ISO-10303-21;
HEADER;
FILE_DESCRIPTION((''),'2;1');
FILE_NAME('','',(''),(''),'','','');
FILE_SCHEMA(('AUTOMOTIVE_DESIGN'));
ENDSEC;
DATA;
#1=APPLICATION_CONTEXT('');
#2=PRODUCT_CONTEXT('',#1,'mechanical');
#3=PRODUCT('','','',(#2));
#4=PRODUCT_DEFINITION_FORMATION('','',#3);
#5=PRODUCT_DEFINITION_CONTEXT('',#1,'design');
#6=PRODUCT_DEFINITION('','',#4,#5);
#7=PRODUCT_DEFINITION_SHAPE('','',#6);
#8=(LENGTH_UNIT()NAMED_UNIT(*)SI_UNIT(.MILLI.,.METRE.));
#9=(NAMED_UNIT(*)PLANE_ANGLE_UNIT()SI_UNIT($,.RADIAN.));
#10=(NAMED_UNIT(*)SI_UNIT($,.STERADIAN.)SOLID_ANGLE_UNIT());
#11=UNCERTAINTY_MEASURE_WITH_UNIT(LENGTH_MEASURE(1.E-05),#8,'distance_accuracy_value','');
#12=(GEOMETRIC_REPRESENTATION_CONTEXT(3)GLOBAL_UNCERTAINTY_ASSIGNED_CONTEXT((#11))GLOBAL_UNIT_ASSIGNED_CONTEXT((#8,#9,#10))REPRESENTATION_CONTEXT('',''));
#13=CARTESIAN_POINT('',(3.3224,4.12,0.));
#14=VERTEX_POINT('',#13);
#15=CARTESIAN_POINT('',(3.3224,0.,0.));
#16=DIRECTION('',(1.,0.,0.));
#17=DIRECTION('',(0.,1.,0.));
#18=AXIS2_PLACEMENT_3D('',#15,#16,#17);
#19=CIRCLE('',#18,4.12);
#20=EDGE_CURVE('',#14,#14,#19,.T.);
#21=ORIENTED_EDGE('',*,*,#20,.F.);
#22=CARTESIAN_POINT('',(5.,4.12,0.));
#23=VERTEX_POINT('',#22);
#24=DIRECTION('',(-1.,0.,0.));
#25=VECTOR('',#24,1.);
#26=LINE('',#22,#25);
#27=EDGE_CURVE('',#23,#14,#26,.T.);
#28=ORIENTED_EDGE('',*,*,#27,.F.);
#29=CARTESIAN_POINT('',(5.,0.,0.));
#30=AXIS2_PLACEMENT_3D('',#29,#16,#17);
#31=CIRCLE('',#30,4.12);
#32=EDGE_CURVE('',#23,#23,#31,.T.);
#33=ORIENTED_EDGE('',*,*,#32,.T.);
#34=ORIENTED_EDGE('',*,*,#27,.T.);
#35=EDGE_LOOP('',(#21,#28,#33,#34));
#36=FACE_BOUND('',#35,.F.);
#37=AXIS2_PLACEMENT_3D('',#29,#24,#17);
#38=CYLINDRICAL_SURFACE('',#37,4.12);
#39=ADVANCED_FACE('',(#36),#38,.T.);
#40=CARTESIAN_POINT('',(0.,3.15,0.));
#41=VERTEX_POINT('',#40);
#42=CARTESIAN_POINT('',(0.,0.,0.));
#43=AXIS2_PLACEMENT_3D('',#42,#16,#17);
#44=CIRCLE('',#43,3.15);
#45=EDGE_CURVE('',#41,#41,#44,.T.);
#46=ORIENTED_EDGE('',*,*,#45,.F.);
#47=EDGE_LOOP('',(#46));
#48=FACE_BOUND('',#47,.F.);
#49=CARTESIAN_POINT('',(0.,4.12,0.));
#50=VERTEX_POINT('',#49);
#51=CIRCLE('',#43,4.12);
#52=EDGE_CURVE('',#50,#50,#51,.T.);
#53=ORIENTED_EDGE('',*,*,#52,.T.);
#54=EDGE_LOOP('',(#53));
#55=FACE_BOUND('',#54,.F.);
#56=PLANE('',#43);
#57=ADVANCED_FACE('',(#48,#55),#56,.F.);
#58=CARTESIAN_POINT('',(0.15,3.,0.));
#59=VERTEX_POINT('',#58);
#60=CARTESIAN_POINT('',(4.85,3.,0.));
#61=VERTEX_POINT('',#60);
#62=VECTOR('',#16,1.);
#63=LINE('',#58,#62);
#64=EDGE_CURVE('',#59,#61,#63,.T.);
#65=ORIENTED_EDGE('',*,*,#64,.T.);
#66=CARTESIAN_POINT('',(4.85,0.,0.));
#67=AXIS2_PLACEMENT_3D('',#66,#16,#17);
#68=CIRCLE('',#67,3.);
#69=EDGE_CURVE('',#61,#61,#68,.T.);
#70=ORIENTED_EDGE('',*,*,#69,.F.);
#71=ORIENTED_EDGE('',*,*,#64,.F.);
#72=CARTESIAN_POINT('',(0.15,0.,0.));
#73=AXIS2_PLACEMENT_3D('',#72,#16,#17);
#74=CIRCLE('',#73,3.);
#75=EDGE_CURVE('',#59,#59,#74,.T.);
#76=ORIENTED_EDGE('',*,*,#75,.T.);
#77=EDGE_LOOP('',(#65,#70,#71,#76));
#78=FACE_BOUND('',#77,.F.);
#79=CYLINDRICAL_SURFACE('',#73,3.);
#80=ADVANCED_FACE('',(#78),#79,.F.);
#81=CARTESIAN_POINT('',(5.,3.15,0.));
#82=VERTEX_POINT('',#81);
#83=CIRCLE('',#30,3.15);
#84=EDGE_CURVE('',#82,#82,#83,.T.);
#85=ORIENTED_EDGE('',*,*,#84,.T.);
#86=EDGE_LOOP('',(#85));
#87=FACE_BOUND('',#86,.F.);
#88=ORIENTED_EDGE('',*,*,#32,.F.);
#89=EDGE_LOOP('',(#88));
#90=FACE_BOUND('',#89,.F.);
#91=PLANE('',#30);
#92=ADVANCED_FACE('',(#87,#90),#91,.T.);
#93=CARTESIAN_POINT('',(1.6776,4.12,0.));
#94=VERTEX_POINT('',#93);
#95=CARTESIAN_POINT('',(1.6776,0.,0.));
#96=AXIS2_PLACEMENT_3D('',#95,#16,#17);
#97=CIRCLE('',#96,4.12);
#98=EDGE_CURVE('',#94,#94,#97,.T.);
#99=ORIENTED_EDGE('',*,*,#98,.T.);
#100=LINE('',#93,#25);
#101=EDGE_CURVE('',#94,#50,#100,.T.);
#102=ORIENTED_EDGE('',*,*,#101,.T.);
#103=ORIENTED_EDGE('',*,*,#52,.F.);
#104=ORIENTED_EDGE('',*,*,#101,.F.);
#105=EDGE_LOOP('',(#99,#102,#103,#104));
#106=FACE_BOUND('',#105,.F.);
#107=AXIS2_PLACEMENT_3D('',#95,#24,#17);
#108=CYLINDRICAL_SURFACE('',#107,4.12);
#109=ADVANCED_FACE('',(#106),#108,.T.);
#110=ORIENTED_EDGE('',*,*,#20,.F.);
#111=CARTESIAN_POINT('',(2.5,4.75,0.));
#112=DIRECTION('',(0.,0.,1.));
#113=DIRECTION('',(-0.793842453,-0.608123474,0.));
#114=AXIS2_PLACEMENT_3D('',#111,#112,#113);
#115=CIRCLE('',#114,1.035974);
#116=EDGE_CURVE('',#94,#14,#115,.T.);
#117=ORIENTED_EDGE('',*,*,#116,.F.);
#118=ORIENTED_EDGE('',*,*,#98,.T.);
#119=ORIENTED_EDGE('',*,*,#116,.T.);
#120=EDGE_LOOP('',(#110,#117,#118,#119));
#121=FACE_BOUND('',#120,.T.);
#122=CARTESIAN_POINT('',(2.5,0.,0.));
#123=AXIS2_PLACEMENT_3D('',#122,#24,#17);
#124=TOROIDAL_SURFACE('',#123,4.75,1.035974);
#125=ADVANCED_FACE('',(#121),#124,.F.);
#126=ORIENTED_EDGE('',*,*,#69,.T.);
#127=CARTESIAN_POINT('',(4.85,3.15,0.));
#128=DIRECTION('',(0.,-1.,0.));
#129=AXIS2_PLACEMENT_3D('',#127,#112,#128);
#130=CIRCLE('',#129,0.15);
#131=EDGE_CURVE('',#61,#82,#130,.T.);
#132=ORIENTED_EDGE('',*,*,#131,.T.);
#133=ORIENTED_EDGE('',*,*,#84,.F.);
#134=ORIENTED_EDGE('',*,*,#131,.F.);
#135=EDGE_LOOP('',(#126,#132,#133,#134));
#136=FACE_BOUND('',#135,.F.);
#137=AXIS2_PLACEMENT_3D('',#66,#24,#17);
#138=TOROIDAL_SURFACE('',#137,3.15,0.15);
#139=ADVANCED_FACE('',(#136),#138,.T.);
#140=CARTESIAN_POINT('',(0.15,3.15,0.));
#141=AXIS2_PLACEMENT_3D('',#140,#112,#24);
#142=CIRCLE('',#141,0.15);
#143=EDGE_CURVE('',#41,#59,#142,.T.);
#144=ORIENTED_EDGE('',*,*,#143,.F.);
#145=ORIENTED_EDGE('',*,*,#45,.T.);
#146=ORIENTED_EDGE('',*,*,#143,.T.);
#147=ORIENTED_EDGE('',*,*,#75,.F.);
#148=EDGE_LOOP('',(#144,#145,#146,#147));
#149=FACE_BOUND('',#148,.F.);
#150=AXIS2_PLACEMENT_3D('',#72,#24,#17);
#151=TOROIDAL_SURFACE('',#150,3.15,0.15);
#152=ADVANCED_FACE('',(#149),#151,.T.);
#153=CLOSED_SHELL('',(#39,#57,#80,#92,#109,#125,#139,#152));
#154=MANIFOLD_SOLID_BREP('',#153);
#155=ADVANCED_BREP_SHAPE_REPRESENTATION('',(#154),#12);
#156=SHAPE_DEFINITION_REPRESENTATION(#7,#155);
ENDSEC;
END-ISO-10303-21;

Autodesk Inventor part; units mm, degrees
sketch "Sketch_2" plane through (0, 0, 0) normal (0, 0, 1) x (1, 0, 0)
  line L0 (5, 0) -> (0, 0)
  arc A0 (0, 3.15) -> (0.15, 3) centre (0.15, 3.15) ccw
  line L1 (0.15, 3) -> (4.85, 3)
  arc A1 (4.85, 3) -> (5, 3.15) centre (4.85, 3.15) ccw
  line L2 (5, 3.15) -> (5, 4.12)
  line L3 (5, 4.12) -> (3.3224, 4.12)
  arc A2 (1.6776, 4.12) -> (3.3224, 4.12) centre (2.5, 4.75) ccw
  line L4 (1.6776, 4.12) -> (0, 4.12)
  line L5 (0, 4.12) -> (0, 3.15)
revolve "Revolution1" add sketch "Sketch_2" angle 360 about axis through (5, 0, 0) along (1, 0, 0)
ref_plane "mss_ir_XY" through (0, 0, 0) normal (1, 0, 0) x (0, 0, -1)
ref_plane "mss_ir_YZ" through (0, 0, 0) normal (0, 0, -1) x (0, 1, 0)
ref_plane "mss_ir_ZX" through (0, 0, 0) normal (0, 1, 0) x (1, 0, 0)
properties part number "W686ZZ Inner ring"
